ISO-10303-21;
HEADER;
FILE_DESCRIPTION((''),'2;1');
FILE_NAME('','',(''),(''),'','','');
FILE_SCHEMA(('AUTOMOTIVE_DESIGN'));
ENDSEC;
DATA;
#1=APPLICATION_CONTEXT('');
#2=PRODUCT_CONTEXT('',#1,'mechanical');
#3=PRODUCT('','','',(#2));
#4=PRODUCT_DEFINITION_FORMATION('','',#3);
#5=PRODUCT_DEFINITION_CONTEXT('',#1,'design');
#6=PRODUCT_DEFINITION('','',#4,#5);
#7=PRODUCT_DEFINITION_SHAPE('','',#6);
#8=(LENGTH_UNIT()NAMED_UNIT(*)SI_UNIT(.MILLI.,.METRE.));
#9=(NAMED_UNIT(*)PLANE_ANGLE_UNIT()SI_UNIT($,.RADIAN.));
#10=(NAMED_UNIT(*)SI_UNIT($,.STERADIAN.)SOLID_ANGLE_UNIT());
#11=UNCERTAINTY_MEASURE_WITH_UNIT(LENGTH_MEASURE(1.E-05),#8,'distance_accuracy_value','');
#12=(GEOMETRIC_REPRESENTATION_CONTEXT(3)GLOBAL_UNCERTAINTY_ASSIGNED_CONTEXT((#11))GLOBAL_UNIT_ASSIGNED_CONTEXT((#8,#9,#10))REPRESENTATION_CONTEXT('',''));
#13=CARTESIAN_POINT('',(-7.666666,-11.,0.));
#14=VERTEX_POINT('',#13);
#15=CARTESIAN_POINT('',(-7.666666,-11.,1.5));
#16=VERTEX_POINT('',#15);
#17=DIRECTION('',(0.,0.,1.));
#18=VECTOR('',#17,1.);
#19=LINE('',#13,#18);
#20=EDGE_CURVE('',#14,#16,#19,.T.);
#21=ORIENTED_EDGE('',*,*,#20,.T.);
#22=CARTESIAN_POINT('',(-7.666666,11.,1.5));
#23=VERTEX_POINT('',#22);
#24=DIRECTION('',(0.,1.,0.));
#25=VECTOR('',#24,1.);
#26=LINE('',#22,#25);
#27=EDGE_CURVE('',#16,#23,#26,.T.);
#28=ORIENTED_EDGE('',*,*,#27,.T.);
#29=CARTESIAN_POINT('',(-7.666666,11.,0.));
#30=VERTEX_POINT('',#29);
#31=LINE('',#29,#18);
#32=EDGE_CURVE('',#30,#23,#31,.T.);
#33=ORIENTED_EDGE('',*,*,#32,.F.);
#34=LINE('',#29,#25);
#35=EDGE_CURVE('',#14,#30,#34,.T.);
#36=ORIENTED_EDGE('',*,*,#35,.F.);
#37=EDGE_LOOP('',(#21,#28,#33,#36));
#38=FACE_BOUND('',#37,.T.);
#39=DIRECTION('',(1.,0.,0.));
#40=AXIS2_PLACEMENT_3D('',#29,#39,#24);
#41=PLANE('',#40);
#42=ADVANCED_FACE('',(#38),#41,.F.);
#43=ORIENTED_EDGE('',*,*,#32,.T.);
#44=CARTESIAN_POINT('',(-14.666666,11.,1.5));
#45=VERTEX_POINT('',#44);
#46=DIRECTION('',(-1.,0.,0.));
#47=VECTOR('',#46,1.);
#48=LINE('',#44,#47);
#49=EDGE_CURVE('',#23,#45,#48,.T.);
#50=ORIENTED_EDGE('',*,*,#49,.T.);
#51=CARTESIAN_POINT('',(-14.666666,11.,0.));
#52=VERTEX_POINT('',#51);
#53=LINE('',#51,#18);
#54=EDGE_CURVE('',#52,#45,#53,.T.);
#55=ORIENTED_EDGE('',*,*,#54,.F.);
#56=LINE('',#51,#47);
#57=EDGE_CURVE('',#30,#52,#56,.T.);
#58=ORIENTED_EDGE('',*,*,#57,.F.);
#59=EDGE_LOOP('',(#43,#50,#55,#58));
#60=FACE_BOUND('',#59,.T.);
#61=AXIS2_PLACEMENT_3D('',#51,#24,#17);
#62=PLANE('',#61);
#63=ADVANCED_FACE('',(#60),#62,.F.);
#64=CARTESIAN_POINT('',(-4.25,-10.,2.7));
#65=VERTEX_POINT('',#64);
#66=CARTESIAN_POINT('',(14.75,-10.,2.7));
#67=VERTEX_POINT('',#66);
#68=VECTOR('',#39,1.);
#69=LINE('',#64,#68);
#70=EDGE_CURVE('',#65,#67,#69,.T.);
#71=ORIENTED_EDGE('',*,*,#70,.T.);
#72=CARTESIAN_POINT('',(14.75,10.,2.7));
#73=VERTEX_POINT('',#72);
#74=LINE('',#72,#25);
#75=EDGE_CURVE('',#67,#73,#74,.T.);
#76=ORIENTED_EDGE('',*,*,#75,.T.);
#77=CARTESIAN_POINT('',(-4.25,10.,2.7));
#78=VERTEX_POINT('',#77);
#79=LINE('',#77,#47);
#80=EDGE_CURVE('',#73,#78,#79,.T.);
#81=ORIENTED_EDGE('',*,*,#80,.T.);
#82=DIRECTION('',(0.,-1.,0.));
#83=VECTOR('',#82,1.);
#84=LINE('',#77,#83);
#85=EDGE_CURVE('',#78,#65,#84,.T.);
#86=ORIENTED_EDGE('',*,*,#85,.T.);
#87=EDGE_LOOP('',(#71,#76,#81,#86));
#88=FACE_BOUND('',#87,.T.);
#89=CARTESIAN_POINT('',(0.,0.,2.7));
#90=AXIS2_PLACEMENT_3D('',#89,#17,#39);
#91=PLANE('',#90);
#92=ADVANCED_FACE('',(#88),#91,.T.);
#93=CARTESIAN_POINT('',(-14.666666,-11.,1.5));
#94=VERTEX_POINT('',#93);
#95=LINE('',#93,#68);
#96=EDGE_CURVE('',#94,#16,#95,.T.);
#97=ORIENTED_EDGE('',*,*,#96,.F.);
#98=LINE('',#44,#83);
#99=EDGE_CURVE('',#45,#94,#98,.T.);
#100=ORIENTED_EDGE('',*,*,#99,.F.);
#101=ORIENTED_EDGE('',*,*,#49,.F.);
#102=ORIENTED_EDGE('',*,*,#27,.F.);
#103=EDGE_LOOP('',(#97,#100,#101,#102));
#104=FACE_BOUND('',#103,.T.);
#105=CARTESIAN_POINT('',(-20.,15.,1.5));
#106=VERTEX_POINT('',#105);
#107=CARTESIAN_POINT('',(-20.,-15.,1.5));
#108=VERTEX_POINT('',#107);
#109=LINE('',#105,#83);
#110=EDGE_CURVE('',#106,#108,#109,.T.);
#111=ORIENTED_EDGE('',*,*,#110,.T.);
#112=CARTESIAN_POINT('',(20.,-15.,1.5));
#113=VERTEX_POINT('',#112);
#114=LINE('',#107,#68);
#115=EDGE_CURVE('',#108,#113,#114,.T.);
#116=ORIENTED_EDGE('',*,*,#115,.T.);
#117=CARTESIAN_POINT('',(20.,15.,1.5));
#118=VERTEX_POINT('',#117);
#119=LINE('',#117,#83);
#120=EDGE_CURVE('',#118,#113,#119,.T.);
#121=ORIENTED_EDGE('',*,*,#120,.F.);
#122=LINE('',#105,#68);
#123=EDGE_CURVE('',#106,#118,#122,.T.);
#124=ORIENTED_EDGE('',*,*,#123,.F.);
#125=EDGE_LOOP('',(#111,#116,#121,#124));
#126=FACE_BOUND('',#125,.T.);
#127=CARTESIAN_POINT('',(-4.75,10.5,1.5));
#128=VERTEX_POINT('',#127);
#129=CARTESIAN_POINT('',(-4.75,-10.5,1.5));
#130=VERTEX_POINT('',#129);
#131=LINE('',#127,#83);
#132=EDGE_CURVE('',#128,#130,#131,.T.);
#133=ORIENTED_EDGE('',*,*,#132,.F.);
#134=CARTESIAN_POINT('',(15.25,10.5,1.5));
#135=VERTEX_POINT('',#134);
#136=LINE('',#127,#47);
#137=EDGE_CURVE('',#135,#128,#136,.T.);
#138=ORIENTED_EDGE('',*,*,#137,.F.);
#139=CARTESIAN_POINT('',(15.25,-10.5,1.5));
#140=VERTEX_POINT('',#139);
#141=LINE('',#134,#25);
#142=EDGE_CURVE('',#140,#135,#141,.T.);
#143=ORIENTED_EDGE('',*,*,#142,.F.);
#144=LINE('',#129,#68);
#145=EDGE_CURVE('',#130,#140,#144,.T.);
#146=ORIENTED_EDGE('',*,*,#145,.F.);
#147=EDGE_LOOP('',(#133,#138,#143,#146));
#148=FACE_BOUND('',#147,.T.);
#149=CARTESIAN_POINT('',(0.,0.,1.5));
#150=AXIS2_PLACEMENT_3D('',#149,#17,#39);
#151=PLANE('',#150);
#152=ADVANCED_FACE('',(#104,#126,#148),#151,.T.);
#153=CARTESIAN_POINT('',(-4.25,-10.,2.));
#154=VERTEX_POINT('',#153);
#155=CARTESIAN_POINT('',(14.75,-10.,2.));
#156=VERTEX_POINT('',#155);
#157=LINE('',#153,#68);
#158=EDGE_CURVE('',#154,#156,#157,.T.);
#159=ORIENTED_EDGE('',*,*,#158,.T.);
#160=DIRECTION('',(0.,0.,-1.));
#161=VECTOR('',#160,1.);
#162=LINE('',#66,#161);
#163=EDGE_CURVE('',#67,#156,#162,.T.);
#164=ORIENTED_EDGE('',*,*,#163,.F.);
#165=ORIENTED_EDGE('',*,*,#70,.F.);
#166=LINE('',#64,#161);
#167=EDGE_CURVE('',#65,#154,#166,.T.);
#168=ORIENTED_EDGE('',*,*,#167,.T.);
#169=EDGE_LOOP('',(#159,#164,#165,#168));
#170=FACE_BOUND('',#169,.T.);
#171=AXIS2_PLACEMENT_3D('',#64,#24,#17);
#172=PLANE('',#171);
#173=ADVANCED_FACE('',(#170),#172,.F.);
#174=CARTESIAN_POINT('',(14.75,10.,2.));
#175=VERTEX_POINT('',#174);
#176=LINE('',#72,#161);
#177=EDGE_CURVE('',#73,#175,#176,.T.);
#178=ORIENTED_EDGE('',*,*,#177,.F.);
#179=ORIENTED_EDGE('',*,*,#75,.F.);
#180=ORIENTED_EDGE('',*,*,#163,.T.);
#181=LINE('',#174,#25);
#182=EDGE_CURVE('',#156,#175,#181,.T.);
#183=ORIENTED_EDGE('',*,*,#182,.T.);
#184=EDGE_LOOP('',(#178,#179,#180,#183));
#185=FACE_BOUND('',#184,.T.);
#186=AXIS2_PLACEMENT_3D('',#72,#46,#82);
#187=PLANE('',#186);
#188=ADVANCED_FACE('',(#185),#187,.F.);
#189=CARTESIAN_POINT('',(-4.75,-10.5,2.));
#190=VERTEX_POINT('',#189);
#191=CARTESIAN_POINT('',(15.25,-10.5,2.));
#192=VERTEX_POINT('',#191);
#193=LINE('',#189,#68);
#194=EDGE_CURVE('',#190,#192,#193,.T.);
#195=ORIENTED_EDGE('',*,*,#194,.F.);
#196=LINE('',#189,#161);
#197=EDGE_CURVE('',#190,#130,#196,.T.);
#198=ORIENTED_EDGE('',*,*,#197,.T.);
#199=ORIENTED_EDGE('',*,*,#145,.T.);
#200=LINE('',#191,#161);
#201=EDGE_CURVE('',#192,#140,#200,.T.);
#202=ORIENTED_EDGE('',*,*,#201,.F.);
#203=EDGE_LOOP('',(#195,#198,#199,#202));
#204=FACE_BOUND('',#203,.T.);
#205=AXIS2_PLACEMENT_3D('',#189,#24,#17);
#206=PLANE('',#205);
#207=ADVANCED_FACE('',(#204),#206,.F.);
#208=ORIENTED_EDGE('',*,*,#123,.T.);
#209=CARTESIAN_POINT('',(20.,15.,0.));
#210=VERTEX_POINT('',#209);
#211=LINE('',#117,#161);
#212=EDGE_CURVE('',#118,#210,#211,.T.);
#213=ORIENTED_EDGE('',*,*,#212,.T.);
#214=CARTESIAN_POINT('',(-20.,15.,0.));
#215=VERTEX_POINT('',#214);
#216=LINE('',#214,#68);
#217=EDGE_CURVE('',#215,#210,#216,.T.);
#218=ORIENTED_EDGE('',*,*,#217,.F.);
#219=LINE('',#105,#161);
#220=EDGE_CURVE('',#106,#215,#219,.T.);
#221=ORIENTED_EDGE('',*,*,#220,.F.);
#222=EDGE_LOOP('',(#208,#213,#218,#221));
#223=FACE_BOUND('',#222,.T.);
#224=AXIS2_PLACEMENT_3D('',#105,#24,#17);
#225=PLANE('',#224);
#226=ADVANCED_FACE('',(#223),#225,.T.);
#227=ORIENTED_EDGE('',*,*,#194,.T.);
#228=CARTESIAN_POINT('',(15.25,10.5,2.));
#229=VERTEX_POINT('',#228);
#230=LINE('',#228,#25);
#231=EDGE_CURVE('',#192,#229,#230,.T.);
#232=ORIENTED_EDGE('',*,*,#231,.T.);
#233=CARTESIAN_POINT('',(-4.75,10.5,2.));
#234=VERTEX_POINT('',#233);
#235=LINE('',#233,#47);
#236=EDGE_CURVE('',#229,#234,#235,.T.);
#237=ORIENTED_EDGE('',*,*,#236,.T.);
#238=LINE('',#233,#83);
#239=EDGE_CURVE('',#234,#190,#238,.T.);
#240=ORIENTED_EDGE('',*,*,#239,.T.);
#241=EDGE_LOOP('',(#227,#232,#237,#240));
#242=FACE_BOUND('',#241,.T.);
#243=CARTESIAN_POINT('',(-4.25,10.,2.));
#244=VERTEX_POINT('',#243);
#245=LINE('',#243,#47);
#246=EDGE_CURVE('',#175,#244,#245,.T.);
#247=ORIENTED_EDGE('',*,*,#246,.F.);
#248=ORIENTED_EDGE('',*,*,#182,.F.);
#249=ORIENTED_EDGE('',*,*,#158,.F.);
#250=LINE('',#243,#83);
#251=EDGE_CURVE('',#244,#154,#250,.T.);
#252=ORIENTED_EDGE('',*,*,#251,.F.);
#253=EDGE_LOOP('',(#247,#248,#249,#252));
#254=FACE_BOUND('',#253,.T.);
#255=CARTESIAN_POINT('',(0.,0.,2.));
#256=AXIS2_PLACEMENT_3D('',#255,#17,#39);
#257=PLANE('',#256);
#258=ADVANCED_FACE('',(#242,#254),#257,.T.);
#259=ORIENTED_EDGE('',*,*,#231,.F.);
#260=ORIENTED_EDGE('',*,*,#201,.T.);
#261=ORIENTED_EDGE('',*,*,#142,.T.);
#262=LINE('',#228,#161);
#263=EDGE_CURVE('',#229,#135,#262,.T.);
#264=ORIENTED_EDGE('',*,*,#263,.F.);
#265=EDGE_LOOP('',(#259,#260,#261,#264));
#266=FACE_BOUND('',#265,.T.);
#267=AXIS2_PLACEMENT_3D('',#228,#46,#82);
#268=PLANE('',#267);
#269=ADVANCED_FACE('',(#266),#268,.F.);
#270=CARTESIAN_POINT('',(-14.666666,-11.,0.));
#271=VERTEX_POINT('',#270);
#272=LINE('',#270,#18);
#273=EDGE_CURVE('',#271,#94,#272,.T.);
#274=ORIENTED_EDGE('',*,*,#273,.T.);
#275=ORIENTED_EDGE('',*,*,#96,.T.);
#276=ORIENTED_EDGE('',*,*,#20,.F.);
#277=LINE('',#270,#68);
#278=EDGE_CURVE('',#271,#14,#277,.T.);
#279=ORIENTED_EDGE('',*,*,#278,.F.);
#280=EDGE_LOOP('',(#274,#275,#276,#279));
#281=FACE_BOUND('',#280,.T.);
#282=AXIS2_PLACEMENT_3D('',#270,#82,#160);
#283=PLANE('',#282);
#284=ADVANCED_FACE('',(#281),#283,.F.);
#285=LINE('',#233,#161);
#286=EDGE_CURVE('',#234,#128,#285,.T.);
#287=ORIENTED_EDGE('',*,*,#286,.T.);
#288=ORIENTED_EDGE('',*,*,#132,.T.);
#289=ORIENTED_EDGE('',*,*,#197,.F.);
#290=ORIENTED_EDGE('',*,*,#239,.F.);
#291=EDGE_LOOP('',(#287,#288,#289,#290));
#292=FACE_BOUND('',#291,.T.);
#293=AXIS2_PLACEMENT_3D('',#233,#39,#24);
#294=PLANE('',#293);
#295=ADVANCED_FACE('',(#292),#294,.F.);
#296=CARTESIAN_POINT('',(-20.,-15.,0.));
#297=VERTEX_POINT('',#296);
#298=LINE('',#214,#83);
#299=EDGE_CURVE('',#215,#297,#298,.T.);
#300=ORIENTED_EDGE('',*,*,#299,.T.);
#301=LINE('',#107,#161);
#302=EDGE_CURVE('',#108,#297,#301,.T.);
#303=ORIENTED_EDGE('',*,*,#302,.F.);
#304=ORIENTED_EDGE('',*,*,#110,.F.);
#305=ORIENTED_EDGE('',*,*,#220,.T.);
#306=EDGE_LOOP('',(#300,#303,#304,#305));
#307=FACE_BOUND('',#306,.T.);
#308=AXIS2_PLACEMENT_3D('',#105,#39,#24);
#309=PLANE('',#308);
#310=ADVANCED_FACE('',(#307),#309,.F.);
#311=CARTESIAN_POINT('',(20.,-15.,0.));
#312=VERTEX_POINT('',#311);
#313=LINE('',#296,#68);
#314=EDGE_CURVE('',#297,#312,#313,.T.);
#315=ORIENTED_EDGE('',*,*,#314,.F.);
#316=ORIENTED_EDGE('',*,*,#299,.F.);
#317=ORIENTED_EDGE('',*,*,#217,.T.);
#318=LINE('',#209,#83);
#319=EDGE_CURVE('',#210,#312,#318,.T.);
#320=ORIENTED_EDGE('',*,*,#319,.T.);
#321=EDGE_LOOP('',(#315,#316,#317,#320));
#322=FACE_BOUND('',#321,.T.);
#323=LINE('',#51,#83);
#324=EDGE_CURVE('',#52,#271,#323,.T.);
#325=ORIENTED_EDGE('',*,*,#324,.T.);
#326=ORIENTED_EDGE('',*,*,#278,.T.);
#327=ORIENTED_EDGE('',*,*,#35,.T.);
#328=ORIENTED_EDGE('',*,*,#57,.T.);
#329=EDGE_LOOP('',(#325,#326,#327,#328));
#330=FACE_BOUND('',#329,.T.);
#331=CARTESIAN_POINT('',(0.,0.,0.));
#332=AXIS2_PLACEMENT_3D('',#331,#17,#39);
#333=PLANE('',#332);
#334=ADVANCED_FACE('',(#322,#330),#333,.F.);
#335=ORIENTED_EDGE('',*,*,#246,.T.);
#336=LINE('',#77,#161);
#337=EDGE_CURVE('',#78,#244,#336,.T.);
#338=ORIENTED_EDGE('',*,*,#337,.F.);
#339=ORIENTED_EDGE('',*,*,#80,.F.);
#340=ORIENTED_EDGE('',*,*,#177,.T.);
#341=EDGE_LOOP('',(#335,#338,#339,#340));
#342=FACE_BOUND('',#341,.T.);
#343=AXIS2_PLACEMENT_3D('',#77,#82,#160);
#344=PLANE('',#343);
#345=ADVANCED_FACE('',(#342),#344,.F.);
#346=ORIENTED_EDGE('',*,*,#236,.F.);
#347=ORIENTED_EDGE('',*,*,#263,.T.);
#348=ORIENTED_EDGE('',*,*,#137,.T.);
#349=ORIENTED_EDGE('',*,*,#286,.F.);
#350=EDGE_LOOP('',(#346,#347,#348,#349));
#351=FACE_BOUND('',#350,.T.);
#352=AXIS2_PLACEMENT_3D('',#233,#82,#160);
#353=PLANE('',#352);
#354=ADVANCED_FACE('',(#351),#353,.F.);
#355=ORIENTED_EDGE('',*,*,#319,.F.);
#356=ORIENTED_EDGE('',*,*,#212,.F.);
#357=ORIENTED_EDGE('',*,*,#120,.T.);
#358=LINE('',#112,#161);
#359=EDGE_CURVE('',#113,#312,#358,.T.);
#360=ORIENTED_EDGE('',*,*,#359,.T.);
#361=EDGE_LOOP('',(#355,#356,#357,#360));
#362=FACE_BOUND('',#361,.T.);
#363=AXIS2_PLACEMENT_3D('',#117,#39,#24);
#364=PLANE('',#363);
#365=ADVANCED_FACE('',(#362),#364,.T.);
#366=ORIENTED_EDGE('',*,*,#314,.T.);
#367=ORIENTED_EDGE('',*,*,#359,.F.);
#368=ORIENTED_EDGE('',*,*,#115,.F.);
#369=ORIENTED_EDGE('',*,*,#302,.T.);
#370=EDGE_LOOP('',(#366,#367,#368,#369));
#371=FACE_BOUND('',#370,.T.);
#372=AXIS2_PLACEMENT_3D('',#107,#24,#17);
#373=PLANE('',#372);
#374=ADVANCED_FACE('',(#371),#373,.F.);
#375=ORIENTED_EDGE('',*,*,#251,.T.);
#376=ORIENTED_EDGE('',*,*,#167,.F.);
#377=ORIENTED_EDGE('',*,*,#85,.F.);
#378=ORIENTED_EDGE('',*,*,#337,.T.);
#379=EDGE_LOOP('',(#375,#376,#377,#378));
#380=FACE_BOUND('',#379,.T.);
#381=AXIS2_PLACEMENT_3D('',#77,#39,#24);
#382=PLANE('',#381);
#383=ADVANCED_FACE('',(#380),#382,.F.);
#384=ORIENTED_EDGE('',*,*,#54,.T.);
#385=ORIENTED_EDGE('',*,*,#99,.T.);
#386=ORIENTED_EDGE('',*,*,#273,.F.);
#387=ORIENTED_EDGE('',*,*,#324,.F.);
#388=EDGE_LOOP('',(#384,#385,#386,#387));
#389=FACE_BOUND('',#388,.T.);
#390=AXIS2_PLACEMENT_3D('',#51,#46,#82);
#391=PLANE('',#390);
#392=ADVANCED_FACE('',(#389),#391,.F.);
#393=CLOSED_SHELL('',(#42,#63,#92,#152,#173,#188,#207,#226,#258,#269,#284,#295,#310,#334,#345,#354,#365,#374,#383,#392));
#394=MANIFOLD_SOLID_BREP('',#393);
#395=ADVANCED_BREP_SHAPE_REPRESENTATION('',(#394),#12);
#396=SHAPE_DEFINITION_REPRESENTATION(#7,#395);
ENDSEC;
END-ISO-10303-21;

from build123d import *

# Parameters (mm, degrees)
SKETCH1_W           = 40
SKETCH1_H           = 30
BOSS_EXTRUDE1_DEPTH = 1.5
SKETCH2_W           = 20
SKETCH2_H           = 21
BOSS_EXTRUDE2_DEPTH = 0.5
SKETCH4_W           = 19
SKETCH4_H           = 20
BOSS_EXTRUDE3_DEPTH = 0.7
SKETCH5_W           = 7
SKETCH5_H           = 22
CUT_EXTRUDE1_DEPTH  = 1.5


with BuildPart() as part:
    # Sketch1 → Boss-Extrude1 (new body)
    with BuildSketch(Plane.XY):
        Rectangle(SKETCH1_W, SKETCH1_H)
    extrude(amount=BOSS_EXTRUDE1_DEPTH)

    # Sketch2 → Boss-Extrude2 (add)
    with BuildSketch(Plane.XY.offset(1.5)):
        with Locations((5.25, 0)):
            Rectangle(SKETCH2_W, SKETCH2_H)
    extrude(amount=BOSS_EXTRUDE2_DEPTH)

    # Sketch4 → Boss-Extrude3 (add)
    with BuildSketch(Plane.XY.offset(2)):
        with Locations((5.25, 0)):
            Rectangle(SKETCH4_W, SKETCH4_H)
    extrude(amount=BOSS_EXTRUDE3_DEPTH)

    # Sketch5 → Cut-Extrude1 (cut)
    with BuildSketch(Plane.XY.offset(1.5)):
        with Locations((-11.166666, 0)):
            Rectangle(SKETCH5_W, SKETCH5_H)
    extrude(amount=-CUT_EXTRUDE1_DEPTH, mode=Mode.SUBTRACT)


solid = part.part
